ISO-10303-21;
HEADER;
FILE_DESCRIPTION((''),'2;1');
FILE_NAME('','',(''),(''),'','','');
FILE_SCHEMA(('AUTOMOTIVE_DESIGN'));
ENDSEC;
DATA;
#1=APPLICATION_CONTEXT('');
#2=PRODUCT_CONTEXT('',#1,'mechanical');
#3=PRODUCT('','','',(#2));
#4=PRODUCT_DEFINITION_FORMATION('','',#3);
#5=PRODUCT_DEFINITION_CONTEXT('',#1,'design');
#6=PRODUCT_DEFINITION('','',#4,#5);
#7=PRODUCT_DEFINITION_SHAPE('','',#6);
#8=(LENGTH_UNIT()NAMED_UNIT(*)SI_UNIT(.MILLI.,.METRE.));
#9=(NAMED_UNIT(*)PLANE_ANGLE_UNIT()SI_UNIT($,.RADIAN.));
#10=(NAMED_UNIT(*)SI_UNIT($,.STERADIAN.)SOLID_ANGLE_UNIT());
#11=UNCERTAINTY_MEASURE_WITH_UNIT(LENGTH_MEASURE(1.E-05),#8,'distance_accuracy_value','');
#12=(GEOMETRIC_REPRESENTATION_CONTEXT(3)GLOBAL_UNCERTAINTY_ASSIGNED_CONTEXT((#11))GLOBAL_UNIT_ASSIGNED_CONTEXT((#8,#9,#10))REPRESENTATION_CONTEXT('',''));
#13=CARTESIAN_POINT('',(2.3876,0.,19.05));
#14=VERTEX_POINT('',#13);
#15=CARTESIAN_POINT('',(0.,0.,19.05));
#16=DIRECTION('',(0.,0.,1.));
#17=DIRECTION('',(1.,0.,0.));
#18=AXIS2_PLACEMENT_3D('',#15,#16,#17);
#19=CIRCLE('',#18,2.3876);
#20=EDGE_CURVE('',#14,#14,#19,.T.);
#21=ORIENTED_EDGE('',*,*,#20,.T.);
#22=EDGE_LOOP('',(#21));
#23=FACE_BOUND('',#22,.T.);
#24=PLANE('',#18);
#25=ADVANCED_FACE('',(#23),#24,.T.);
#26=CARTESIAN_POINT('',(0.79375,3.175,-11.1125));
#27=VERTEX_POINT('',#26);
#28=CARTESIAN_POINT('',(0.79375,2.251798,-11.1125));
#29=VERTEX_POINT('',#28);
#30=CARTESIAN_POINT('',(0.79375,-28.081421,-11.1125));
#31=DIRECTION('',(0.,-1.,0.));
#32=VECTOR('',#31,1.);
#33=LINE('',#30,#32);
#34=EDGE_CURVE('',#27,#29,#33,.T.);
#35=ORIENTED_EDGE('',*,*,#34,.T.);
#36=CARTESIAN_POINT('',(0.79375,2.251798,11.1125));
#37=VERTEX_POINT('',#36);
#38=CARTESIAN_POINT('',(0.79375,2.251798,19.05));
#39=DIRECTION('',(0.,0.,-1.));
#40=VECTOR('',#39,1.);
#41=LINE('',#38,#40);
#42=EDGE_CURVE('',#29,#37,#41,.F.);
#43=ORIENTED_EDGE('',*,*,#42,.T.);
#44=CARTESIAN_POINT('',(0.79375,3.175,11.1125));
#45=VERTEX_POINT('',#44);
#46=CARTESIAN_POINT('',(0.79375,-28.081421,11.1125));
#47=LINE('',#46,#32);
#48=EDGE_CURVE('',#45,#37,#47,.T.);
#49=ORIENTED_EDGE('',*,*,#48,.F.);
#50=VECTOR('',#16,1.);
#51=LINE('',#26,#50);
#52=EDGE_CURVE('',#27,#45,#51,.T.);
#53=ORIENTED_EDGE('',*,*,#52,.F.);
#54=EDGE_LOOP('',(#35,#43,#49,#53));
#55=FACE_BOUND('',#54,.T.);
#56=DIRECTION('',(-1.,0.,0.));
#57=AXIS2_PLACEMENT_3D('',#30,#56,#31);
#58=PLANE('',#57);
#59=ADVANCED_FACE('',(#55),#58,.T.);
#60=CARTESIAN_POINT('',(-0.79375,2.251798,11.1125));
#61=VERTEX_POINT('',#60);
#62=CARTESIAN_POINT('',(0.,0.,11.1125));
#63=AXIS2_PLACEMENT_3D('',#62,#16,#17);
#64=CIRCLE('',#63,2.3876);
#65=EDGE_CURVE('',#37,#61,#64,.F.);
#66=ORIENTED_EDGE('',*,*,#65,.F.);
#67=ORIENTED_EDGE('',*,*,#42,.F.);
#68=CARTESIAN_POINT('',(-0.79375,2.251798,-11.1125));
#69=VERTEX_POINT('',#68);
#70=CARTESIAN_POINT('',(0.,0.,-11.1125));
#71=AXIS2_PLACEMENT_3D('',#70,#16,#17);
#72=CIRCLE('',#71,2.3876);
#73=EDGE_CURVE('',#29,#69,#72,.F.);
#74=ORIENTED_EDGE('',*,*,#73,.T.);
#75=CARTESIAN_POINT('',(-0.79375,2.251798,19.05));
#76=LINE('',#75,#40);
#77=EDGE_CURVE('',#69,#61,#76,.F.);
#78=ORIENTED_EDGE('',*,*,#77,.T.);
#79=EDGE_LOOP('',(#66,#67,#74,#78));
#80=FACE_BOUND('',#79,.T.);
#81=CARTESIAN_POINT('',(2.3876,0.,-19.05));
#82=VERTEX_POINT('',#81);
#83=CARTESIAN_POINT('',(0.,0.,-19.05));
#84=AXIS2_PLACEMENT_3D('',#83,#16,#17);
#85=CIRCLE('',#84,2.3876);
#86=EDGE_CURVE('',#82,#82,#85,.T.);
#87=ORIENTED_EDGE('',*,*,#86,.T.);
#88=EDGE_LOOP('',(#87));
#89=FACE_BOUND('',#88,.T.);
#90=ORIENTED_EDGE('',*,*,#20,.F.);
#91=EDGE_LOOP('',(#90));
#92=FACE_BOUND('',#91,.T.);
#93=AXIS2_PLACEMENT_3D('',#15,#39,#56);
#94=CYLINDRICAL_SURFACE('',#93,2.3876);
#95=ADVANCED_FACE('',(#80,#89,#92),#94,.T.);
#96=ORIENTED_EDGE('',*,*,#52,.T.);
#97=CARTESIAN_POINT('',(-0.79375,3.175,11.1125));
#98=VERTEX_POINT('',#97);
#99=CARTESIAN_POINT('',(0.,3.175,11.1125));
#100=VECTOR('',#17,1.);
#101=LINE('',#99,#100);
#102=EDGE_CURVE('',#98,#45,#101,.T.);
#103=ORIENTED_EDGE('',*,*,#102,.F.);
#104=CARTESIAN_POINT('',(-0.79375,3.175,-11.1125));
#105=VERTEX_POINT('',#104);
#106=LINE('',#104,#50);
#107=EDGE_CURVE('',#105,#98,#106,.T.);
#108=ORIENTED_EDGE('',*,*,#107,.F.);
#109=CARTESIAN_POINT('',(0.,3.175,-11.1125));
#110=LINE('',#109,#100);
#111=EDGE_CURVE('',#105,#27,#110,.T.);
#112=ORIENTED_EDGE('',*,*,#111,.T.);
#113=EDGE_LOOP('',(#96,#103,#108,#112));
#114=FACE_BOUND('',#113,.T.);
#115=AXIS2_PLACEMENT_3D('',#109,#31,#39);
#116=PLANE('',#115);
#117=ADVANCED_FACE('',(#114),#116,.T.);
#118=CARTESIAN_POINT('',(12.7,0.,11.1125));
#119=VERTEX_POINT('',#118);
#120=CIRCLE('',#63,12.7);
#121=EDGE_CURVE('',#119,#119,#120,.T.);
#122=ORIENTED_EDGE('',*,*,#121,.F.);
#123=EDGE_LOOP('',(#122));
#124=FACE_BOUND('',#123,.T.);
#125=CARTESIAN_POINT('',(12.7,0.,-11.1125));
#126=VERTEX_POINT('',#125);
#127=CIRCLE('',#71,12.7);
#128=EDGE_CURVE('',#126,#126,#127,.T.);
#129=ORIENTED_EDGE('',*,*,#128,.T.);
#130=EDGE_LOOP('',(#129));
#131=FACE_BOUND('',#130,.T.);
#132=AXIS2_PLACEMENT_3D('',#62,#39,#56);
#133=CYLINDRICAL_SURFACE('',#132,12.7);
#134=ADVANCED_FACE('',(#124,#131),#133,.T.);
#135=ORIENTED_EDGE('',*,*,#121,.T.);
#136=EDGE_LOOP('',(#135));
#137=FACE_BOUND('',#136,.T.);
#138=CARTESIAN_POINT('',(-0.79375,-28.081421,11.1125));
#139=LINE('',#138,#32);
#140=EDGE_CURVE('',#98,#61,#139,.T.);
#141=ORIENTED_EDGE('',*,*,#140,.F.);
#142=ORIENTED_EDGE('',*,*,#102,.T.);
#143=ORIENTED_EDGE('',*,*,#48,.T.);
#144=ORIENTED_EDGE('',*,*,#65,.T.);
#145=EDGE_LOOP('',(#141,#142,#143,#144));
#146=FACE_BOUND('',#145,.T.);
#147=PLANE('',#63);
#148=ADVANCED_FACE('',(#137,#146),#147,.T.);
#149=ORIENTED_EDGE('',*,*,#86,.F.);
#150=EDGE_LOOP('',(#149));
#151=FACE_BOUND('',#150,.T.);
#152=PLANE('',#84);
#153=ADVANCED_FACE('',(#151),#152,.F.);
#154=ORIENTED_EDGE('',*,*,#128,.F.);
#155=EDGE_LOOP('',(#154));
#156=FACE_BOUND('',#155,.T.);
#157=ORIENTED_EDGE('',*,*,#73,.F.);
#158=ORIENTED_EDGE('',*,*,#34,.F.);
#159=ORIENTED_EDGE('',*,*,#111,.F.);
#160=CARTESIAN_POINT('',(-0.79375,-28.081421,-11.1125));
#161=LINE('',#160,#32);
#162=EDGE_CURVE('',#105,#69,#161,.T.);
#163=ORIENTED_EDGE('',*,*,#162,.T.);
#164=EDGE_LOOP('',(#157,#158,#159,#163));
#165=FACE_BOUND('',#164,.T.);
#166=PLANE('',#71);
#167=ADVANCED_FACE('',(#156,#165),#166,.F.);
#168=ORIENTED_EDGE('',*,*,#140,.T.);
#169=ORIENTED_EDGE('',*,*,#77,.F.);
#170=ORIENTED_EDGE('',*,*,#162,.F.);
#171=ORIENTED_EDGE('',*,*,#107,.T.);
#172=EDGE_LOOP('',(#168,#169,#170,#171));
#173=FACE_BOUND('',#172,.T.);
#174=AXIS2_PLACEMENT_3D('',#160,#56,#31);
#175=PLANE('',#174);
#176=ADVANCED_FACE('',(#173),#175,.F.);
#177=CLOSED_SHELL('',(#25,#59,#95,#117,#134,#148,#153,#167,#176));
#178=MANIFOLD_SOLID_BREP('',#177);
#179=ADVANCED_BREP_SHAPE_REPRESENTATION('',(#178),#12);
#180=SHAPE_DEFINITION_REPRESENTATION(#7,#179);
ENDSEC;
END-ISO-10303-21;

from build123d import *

# Parameters (mm, degrees)
SKETCH1_R           = 12.7
EXTRUDE1_DEPTH      = 11.1125
EXTRUDE2_DEPTH      = 23.225
SKETCH4_R           = 2.3876
BOSS_EXTRUDE1_DEPTH = 19.05


with BuildPart() as part:
    # Sketch1 → Extrude1 (new body, symmetric)
    with BuildSketch(Plane.XY):
        Circle(SKETCH1_R)
    extrude(amount=EXTRUDE1_DEPTH, both=True)

    # Sketch2 → Extrude2 (cut, through all)
    with BuildSketch(Plane.XY.offset(11.1125)):
        with BuildLine():
            ThreePointArc((0.79375, 2.24506403), (0, 2.38125), (-0.79375, 2.24506403))
            Line((-0.79375, 2.24506403), (-0.79375, 1.5875))
            Line((-0.79375, 1.5875), (0.79375, 1.5875))
            Line((0.79375, 1.5875), (0.79375, 2.24506403))
        make_face()
        with BuildLine():
            Line((-0.79375, 1.5875), (-0.79375, 2.24506403))
            ThreePointArc((-0.79375, 2.24506403), (-1.374815329, -1.944282483), (2.38125, 0))
            ThreePointArc((2.38125, 0), (1.944282483, 1.374815329), (0.79375, 2.24506403))
            Line((0.79375, 2.24506403), (0.79375, 1.5875))
            Line((0.79375, 1.5875), (-0.79375, 1.5875))
        make_face()
        with BuildLine():
            Line((0.79375, 3.175), (-0.79375, 3.175))
            Line((-0.79375, 3.175), (-0.79375, 2.24506403))
            ThreePointArc((-0.79375, 2.24506403), (0, 2.38125), (0.79375, 2.24506403))
            Line((0.79375, 2.24506403), (0.79375, 3.175))
        make_face()
    extrude(amount=-EXTRUDE2_DEPTH, mode=Mode.SUBTRACT)

    # Sketch4 → Boss-Extrude1 (add, symmetric)
    with BuildSketch(Plane.XY):
        Circle(SKETCH4_R)
    extrude(amount=BOSS_EXTRUDE1_DEPTH, both=True)


solid = part.part
